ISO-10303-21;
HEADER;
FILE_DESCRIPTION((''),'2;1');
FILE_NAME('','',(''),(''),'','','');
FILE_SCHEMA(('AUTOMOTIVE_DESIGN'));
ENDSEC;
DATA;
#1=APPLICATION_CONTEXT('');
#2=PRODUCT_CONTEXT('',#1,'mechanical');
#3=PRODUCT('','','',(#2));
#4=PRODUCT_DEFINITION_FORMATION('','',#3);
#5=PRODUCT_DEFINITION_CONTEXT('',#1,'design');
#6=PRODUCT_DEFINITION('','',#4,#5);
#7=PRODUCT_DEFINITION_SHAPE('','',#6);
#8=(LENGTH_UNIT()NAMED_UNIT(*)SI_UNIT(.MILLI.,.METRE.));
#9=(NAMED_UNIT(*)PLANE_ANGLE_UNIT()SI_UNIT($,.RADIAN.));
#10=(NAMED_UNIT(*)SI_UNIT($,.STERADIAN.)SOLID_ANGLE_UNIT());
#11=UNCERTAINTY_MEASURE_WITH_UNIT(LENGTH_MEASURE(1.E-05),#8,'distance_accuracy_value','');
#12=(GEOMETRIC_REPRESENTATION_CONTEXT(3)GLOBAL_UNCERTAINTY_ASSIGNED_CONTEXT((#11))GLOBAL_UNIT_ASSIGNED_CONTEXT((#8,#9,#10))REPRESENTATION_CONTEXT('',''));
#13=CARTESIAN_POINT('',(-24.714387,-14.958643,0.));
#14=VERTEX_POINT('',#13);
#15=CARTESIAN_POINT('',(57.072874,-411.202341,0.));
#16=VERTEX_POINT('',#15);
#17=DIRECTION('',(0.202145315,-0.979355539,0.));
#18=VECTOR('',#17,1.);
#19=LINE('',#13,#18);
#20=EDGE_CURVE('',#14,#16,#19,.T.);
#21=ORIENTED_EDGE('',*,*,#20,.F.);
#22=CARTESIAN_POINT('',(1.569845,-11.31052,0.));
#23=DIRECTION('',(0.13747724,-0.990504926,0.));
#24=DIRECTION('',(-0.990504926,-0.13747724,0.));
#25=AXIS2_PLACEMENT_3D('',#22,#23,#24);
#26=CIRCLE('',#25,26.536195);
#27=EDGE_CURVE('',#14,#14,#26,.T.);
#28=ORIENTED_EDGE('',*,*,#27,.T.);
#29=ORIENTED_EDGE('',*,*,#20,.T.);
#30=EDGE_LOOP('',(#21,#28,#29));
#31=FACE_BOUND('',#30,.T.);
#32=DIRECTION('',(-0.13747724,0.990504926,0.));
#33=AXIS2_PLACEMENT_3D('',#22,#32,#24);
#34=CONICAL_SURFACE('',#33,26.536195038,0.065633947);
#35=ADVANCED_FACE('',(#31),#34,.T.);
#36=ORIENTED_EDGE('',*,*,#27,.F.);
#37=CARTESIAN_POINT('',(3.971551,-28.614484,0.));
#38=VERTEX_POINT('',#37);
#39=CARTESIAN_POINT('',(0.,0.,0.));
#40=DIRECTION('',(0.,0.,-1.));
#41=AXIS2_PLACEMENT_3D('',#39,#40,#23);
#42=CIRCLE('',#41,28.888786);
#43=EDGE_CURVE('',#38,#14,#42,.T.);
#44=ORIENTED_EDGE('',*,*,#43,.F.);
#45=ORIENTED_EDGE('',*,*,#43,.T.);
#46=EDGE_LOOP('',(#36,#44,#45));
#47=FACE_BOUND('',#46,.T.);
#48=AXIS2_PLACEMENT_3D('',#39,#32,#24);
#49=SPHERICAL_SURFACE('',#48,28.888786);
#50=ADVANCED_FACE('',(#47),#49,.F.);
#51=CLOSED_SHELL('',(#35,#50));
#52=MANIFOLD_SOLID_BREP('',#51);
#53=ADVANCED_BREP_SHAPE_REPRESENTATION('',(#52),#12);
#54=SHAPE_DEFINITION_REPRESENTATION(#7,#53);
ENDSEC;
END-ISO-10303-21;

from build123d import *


with BuildPart() as f2:
    # F1 (on face) → F2 (revolve)
    with BuildSketch(Plane.XY):
        with BuildLine():
            Line((57.0728741586, -411.2023413181), (3.9715505107, -28.6144844246))
            ThreePointArc((3.9715505107, -28.6144844246), (-12.417198384, -26.0840011623), (-24.7143869853, -14.9586432634))
            Line((-24.7143869853, -14.9586432634), (57.0728741586, -411.2023413181))
        make_face()
    revolve(axis=Axis((28.5364370793, -205.6011706591, 0), (0.1374772401, -0.990504926, 0)))


solid = f2.part
